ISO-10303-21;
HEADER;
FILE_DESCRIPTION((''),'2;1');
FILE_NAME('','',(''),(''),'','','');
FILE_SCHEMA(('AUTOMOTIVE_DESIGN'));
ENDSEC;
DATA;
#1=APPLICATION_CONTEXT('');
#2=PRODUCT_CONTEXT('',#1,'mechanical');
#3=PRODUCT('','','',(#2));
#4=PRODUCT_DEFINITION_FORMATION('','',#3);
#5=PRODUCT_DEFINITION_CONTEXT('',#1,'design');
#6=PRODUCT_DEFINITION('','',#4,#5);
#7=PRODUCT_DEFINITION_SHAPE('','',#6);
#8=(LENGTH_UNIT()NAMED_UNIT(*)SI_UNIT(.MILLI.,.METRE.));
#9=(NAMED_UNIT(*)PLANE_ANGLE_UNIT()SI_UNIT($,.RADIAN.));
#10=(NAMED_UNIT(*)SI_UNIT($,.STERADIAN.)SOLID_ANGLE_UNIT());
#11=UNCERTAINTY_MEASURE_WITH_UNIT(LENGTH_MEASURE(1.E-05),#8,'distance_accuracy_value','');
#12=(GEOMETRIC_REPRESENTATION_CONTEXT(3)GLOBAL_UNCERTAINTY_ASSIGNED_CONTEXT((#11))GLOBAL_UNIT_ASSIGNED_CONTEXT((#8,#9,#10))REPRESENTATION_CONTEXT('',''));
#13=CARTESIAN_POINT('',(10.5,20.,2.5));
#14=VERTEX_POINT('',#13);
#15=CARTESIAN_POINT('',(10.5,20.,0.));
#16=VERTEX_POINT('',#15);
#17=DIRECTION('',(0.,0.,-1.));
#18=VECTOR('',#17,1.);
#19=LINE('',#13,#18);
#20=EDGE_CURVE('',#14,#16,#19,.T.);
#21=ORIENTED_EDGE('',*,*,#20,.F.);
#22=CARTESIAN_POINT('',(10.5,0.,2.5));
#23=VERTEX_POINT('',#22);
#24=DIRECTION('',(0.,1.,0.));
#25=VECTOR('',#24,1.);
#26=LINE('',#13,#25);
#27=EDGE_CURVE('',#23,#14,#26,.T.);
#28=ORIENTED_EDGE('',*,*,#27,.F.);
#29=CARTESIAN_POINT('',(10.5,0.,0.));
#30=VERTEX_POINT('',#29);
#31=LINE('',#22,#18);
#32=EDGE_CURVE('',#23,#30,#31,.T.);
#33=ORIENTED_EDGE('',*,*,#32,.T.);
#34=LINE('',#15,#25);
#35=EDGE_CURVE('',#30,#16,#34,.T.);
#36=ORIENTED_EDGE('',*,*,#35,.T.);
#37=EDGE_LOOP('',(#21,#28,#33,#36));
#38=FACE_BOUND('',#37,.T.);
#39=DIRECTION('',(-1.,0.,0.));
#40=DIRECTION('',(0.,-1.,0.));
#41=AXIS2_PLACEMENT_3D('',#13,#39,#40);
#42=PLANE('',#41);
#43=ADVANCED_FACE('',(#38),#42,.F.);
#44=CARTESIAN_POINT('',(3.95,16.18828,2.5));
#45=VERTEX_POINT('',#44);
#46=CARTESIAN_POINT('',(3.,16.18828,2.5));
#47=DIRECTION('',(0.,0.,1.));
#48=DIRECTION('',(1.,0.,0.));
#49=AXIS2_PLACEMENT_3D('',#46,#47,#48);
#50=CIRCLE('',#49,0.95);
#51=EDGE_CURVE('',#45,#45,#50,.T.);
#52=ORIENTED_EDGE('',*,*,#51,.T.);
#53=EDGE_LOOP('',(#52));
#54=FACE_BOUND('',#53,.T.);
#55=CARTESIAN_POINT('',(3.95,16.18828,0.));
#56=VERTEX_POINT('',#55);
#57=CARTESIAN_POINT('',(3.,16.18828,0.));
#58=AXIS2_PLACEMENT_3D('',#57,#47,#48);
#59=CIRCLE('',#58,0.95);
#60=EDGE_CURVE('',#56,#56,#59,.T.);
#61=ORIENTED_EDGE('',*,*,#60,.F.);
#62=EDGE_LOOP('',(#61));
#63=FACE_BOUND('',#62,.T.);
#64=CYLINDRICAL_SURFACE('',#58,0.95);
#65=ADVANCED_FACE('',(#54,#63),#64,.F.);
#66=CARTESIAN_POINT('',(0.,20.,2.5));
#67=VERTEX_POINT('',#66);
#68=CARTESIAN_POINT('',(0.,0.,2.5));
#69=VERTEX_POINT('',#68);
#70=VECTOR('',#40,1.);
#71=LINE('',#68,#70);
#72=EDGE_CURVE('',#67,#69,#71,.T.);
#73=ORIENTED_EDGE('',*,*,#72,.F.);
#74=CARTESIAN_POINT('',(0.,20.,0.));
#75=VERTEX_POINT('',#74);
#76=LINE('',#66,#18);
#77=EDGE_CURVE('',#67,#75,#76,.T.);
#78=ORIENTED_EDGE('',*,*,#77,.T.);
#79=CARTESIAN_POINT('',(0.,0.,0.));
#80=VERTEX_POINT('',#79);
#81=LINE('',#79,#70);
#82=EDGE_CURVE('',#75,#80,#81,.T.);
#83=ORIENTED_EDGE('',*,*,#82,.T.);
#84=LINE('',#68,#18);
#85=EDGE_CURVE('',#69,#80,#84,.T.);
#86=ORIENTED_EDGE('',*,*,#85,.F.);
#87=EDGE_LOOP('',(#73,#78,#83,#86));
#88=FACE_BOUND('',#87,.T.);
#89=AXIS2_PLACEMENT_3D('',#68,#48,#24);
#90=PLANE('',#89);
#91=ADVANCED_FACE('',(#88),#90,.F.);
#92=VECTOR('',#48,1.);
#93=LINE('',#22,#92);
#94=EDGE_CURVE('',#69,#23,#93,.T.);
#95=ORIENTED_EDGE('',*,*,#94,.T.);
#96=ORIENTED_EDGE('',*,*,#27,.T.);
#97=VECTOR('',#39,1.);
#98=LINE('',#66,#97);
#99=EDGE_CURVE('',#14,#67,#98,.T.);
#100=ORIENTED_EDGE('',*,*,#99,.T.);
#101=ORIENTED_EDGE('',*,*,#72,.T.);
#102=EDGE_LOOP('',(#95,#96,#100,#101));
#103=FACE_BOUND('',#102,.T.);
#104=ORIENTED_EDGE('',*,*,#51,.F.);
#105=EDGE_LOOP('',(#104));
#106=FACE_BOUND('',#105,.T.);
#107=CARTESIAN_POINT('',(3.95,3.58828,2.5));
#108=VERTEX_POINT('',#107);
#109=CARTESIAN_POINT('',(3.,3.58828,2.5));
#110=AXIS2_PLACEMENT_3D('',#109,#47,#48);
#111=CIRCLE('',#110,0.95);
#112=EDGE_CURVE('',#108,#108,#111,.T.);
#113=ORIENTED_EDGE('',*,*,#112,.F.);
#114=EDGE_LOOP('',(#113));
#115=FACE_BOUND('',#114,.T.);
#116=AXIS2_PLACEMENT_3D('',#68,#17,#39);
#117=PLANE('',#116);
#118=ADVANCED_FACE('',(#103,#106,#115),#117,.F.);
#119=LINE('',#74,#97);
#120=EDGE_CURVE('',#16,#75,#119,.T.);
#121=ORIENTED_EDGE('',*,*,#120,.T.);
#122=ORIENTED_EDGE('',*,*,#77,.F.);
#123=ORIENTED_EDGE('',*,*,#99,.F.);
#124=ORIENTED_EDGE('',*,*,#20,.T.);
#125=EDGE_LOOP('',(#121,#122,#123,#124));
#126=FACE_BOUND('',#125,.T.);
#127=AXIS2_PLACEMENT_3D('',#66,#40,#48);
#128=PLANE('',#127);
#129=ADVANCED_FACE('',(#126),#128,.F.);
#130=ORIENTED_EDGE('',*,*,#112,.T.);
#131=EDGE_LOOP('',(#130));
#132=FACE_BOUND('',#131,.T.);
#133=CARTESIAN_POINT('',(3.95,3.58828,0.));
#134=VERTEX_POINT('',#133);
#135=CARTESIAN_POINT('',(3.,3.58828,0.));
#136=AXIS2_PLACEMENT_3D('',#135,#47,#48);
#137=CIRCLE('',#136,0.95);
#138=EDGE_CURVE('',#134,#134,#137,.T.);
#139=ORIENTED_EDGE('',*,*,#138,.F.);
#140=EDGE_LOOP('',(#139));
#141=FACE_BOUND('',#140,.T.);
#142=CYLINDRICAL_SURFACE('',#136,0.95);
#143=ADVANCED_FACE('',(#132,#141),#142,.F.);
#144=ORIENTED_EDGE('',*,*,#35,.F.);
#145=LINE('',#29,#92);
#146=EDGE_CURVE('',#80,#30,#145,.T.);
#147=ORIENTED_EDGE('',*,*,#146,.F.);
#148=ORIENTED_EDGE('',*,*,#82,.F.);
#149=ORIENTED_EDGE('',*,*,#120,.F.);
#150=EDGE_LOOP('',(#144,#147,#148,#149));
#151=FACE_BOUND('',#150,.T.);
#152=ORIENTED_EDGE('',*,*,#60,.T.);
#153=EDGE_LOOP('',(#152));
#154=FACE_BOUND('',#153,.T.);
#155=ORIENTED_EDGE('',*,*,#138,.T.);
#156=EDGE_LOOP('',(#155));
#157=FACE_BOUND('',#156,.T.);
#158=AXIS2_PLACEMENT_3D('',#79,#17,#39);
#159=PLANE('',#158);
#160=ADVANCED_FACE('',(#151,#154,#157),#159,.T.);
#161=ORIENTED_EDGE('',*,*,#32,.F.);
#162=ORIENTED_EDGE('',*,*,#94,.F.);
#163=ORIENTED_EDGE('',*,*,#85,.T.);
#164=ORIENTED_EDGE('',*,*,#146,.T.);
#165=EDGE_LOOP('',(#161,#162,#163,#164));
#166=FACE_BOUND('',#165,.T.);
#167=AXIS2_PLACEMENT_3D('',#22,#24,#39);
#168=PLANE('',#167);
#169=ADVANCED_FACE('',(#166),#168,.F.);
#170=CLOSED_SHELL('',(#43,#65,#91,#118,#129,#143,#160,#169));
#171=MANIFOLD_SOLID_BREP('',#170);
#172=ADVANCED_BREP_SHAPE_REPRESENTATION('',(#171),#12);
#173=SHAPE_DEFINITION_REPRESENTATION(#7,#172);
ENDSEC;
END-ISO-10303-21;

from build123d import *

# Parameters (mm, degrees)
SKETCH2_W           = 10.5
SKETCH2_H           = 20
BOSS_EXTRUDE1_DEPTH = 2.5
SKETCH3_R           = 0.95
CUT_EXTRUDE1_DEPTH  = 3.5


with BuildPart() as part:
    # Sketch2 → Boss-Extrude1 (new body)
    with BuildSketch(Plane.XY):
        with Locations((5.25, 10)):
            Rectangle(SKETCH2_W, SKETCH2_H)
    extrude(amount=BOSS_EXTRUDE1_DEPTH)

    # Sketch3 → Cut-Extrude1 (cut, through all)
    with BuildSketch(Plane.XY.offset(2.5)):
        with Locations((3, 16.188280357)):
            Circle(SKETCH3_R)
        with Locations((3, 3.588280357)):
            Circle(SKETCH3_R)
    extrude(amount=-CUT_EXTRUDE1_DEPTH, mode=Mode.SUBTRACT)


solid = part.part
